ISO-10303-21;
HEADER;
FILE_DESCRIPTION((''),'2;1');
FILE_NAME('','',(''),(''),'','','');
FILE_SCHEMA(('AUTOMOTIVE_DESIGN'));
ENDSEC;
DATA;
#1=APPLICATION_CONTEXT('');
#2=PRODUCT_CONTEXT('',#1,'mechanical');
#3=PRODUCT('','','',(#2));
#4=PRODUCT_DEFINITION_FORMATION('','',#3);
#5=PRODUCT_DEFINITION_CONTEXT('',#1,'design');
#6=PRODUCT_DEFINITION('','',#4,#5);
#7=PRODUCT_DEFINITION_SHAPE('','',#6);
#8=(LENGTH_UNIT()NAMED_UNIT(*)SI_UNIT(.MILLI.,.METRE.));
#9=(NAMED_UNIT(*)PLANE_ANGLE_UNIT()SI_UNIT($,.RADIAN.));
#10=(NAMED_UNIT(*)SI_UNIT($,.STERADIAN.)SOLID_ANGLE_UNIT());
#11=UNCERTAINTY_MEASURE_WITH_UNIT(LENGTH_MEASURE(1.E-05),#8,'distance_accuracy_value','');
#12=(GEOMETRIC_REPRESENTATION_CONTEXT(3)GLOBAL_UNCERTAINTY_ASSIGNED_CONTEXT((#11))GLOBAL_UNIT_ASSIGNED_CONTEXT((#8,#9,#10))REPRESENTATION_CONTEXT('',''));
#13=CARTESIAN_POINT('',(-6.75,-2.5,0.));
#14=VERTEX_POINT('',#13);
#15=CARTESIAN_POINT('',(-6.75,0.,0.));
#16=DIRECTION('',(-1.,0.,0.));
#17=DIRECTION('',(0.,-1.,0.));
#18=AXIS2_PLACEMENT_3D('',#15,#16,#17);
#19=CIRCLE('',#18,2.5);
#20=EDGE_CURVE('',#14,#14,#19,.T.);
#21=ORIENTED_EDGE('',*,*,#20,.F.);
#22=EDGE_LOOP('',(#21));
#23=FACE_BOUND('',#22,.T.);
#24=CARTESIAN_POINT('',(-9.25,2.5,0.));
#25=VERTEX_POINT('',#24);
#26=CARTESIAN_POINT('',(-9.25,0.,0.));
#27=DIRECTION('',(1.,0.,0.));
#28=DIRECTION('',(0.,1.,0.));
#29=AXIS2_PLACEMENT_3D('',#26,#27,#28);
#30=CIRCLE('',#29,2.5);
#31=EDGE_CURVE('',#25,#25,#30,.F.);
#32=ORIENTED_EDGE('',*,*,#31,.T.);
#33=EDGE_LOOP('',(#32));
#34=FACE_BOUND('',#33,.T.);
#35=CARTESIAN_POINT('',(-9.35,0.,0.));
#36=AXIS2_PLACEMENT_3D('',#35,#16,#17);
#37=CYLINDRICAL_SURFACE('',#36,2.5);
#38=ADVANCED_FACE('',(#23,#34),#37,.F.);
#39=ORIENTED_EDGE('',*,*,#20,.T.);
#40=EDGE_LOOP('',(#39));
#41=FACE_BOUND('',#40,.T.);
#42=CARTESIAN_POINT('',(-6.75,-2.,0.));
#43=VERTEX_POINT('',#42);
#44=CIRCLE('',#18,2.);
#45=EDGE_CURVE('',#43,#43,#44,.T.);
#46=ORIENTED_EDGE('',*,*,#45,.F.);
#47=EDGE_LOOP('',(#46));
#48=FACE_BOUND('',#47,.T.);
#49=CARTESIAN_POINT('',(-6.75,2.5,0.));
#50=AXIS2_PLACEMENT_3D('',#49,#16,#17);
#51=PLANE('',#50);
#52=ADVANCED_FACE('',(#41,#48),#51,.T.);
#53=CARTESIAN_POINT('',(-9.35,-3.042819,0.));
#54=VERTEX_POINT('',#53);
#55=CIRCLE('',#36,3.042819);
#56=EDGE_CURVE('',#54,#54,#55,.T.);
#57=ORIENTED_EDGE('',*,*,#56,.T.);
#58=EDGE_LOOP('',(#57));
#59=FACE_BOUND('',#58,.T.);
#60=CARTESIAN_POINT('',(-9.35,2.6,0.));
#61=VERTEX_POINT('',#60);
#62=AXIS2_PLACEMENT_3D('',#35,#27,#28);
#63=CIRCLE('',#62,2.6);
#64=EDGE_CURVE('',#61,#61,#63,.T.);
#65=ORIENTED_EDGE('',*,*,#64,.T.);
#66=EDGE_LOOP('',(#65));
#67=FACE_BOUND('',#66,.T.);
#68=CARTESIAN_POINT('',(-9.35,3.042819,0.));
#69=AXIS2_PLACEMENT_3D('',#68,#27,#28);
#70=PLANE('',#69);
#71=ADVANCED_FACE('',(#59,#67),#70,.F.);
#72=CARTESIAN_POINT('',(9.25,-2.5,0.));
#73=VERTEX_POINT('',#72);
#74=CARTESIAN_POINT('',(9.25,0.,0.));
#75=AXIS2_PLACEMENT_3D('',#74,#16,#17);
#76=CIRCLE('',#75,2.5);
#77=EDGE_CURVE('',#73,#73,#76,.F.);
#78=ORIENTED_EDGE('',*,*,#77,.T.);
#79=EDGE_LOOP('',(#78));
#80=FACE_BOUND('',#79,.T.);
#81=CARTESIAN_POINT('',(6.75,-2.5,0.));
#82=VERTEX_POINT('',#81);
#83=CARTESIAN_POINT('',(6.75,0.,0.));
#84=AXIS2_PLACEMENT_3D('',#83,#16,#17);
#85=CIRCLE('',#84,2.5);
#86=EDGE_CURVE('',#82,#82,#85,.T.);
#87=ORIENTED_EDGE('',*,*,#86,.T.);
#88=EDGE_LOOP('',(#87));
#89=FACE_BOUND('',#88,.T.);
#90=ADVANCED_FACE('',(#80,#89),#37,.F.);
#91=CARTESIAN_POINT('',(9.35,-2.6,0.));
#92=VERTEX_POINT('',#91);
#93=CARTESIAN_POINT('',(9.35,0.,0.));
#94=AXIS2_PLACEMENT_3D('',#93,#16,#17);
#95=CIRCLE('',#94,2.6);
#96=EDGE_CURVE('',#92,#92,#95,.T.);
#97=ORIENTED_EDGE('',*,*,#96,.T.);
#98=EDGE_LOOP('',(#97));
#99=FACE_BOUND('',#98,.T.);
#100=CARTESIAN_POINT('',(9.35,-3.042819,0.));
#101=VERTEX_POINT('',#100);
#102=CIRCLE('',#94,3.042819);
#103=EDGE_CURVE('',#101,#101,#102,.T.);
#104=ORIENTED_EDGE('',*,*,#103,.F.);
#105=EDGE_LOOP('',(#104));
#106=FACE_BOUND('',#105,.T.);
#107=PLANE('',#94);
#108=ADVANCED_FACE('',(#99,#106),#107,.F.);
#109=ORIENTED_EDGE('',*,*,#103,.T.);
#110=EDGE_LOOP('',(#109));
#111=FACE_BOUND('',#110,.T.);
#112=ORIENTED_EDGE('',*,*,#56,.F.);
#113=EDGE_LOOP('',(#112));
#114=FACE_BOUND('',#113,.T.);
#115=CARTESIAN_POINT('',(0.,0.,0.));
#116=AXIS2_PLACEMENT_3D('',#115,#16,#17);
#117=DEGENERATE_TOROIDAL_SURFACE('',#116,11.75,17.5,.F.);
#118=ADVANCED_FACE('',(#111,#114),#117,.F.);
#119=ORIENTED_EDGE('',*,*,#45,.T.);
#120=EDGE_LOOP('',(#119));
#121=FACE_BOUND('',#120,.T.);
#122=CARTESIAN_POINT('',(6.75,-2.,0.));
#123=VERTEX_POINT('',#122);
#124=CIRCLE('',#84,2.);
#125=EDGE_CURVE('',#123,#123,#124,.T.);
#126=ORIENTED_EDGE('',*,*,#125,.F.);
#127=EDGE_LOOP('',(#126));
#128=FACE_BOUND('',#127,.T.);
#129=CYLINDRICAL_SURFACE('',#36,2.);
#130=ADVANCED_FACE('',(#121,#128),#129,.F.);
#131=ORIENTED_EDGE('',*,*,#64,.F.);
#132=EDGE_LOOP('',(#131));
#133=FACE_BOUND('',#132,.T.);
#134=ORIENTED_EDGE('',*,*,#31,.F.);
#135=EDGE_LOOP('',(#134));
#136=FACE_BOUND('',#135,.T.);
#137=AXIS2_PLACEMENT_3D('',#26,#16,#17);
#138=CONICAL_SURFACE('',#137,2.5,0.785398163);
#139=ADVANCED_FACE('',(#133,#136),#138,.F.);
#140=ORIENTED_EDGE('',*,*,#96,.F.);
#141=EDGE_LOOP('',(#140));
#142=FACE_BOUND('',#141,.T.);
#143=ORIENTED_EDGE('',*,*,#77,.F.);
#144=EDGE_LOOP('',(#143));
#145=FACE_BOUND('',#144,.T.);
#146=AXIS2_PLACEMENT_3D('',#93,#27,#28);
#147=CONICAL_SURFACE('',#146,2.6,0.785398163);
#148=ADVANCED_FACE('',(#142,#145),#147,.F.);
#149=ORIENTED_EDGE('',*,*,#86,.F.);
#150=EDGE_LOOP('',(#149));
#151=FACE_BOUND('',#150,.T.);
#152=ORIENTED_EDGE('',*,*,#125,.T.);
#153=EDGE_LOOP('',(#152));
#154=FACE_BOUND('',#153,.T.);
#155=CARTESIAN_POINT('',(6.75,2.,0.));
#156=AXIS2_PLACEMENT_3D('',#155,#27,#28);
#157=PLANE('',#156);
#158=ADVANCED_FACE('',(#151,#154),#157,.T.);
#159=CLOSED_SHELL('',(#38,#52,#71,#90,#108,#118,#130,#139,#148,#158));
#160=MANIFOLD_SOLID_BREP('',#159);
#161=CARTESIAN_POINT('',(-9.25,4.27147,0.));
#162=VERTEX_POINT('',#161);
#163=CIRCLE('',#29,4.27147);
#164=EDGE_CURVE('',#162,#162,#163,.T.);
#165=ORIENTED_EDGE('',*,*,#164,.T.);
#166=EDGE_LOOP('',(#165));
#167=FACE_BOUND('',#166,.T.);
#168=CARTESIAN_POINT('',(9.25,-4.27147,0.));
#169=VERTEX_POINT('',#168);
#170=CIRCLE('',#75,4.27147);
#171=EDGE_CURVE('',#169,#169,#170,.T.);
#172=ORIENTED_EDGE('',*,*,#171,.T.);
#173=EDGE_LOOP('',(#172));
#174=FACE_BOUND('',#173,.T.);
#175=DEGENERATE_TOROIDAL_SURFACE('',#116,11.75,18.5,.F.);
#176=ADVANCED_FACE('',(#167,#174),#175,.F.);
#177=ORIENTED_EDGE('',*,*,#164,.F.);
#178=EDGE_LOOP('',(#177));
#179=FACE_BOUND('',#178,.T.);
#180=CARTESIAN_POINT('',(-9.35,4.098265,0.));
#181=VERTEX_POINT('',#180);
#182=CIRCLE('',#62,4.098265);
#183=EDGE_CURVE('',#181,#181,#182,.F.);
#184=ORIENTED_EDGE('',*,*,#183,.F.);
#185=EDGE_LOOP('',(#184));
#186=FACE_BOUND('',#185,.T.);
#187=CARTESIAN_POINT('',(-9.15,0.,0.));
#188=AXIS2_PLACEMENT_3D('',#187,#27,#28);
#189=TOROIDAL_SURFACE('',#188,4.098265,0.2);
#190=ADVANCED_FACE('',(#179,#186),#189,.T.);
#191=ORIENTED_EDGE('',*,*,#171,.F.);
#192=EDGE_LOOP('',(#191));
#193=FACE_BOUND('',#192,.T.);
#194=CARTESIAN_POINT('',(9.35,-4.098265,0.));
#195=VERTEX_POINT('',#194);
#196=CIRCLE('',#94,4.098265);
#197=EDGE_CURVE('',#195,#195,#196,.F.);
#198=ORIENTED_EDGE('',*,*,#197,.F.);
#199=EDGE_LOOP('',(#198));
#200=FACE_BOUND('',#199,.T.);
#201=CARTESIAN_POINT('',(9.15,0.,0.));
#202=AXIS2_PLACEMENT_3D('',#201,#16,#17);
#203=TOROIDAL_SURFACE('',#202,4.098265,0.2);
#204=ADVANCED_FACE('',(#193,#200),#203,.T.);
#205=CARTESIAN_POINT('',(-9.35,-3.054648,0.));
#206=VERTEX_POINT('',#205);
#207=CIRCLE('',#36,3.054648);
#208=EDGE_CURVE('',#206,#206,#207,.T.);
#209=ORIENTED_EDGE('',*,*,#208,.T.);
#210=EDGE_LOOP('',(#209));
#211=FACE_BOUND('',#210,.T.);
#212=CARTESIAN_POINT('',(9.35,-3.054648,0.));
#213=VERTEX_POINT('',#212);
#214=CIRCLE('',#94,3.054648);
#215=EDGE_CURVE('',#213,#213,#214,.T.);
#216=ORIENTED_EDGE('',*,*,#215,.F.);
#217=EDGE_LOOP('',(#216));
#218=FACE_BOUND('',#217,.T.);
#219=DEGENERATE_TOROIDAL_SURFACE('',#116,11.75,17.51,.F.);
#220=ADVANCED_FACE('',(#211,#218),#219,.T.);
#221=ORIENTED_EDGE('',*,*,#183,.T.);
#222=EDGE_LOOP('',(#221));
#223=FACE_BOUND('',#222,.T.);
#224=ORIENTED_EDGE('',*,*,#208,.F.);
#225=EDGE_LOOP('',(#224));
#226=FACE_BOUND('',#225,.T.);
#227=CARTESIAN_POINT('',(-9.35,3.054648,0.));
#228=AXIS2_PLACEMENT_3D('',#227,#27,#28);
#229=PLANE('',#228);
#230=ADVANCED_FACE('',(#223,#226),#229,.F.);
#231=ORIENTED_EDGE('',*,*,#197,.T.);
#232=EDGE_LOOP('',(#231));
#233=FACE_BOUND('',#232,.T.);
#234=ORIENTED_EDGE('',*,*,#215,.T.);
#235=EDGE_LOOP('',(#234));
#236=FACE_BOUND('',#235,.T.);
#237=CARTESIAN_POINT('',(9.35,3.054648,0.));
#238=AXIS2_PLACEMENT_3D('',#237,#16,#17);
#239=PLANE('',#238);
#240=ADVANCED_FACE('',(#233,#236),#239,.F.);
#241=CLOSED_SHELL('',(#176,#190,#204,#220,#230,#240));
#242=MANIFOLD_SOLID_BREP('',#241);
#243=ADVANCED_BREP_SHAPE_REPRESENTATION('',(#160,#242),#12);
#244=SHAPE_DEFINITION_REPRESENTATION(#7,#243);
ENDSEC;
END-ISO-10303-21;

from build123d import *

# Parameters (mm, degrees)
CHANFREIN1_SIZE = 0.1
CONG_1_R        = 0.2


with BuildPart() as part:
    # Esquisse1 → Révolution1 (revolve)
    with BuildSketch(Plane.XY):
        with BuildLine():
            Line((9.35, 0), (9.35, 3.042819204))
            ThreePointArc((9.35, 3.042819204), (0, 5.75), (-9.35, 3.042819204))
            Line((-9.35, 3.042819204), (-9.35, 0))
            Line((-9.35, 0), (9.35, 0))
        make_face()
    revolve(axis=Axis((-9.35, 0, 0), (1, 0, 0)))

    # Esquisse2 → Enlèvement de matière-Révolution1 (revolve, cut)
    with BuildSketch(Plane.XY):
        Polygon((-9.35, 2.5), (-6.75, 2.5), (-6.75, 2), (6.75, 2), (6.75, 2.5), (9.35, 2.5), (9.35, 0), (-9.35, 0), align=None)
    revolve(axis=Axis((-9.35, 0, 0), (1, 0, 0)), mode=Mode.SUBTRACT)

    # Chanfrein1
    chanfrein1_edges = [part.edges().sort_by_distance(p)[0] for p in [
        (-9.35, -2.5, 0),
        (9.35, -2.5, 0),
    ]]
    chamfer(chanfrein1_edges, length=CHANFREIN1_SIZE)


with BuildPart() as body_2:
    # Esquisse4 → Révolution2 (revolve)
    with BuildSketch(Plane.XY):
        with BuildLine():
            Line((-9.35, 3.054647919), (-9.35, 4.213317324))
            ThreePointArc((-9.35, 4.213317324), (0, 6.75), (9.35, 4.213317324))
            Line((9.35, 4.213317324), (9.35, 3.054647919))
            ThreePointArc((9.35, 3.054647919), (0, 5.76), (-9.35, 3.054647919))
        make_face()
    revolve(axis=Axis((-9.35, 0, 0), (1, 0, 0)))

    # Congé1
    cong_1_edges = [body_2.edges().sort_by_distance(p)[0] for p in [
        (-9.35, -4.213317324, 0),
        (9.35, -4.213317324, 0),
    ]]
    fillet(cong_1_edges, radius=CONG_1_R)


solid = Compound([part.part, body_2.part])
